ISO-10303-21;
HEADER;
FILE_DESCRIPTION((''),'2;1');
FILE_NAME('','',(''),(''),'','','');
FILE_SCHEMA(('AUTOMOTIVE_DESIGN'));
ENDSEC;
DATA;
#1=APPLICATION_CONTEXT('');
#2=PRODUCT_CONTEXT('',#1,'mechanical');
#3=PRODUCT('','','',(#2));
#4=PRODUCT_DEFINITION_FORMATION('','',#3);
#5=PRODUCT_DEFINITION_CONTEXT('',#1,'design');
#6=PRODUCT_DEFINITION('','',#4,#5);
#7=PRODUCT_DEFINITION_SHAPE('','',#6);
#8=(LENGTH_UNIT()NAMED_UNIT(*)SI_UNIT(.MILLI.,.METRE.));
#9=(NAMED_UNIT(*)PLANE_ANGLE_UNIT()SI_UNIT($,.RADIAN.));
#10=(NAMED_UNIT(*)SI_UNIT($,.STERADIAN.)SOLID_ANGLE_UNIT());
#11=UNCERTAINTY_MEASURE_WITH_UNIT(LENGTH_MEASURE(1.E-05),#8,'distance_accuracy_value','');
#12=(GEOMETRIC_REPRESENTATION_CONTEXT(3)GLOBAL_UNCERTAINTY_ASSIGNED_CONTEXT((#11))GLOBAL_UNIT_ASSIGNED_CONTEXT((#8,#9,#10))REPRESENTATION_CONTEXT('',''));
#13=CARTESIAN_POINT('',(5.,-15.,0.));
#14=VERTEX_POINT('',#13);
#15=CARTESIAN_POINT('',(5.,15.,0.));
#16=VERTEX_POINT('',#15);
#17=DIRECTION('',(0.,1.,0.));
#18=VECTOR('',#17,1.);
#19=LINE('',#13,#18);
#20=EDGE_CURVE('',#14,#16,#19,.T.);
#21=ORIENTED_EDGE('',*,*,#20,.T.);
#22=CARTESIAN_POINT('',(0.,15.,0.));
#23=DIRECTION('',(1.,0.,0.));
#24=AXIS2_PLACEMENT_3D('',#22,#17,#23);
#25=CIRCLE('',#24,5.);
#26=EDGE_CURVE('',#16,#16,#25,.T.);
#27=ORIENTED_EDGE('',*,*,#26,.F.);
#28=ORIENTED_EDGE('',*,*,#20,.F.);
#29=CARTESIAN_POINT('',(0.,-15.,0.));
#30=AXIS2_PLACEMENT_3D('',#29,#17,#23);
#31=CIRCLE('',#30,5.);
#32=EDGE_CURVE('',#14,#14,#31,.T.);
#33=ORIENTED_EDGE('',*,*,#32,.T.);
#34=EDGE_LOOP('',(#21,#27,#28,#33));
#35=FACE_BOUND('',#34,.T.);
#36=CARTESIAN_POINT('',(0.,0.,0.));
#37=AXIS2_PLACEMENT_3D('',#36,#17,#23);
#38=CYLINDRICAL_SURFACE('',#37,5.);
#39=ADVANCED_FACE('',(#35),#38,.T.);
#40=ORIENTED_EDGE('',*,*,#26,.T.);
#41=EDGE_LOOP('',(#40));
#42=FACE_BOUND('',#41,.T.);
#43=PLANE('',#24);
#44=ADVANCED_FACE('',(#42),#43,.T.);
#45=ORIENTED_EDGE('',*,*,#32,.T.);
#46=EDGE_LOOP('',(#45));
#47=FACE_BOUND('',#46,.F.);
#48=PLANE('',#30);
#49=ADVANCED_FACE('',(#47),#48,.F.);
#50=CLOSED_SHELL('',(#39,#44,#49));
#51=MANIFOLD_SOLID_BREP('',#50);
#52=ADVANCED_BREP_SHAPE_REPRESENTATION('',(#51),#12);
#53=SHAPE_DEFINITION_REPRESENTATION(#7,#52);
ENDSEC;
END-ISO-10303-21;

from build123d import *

# Parameters (mm, degrees)
SKETCH1_R           = 5
BOSS_EXTRUDE1_DEPTH = 15


with BuildPart() as part:
    # Sketch1 → Boss-Extrude1 (new body, symmetric)
    with BuildSketch(Plane(origin=(0, 0, 0), x_dir=(1, 0, 0), z_dir=(0, 1, 0))):
        Circle(SKETCH1_R)
    extrude(amount=BOSS_EXTRUDE1_DEPTH, both=True)


solid = part.part
